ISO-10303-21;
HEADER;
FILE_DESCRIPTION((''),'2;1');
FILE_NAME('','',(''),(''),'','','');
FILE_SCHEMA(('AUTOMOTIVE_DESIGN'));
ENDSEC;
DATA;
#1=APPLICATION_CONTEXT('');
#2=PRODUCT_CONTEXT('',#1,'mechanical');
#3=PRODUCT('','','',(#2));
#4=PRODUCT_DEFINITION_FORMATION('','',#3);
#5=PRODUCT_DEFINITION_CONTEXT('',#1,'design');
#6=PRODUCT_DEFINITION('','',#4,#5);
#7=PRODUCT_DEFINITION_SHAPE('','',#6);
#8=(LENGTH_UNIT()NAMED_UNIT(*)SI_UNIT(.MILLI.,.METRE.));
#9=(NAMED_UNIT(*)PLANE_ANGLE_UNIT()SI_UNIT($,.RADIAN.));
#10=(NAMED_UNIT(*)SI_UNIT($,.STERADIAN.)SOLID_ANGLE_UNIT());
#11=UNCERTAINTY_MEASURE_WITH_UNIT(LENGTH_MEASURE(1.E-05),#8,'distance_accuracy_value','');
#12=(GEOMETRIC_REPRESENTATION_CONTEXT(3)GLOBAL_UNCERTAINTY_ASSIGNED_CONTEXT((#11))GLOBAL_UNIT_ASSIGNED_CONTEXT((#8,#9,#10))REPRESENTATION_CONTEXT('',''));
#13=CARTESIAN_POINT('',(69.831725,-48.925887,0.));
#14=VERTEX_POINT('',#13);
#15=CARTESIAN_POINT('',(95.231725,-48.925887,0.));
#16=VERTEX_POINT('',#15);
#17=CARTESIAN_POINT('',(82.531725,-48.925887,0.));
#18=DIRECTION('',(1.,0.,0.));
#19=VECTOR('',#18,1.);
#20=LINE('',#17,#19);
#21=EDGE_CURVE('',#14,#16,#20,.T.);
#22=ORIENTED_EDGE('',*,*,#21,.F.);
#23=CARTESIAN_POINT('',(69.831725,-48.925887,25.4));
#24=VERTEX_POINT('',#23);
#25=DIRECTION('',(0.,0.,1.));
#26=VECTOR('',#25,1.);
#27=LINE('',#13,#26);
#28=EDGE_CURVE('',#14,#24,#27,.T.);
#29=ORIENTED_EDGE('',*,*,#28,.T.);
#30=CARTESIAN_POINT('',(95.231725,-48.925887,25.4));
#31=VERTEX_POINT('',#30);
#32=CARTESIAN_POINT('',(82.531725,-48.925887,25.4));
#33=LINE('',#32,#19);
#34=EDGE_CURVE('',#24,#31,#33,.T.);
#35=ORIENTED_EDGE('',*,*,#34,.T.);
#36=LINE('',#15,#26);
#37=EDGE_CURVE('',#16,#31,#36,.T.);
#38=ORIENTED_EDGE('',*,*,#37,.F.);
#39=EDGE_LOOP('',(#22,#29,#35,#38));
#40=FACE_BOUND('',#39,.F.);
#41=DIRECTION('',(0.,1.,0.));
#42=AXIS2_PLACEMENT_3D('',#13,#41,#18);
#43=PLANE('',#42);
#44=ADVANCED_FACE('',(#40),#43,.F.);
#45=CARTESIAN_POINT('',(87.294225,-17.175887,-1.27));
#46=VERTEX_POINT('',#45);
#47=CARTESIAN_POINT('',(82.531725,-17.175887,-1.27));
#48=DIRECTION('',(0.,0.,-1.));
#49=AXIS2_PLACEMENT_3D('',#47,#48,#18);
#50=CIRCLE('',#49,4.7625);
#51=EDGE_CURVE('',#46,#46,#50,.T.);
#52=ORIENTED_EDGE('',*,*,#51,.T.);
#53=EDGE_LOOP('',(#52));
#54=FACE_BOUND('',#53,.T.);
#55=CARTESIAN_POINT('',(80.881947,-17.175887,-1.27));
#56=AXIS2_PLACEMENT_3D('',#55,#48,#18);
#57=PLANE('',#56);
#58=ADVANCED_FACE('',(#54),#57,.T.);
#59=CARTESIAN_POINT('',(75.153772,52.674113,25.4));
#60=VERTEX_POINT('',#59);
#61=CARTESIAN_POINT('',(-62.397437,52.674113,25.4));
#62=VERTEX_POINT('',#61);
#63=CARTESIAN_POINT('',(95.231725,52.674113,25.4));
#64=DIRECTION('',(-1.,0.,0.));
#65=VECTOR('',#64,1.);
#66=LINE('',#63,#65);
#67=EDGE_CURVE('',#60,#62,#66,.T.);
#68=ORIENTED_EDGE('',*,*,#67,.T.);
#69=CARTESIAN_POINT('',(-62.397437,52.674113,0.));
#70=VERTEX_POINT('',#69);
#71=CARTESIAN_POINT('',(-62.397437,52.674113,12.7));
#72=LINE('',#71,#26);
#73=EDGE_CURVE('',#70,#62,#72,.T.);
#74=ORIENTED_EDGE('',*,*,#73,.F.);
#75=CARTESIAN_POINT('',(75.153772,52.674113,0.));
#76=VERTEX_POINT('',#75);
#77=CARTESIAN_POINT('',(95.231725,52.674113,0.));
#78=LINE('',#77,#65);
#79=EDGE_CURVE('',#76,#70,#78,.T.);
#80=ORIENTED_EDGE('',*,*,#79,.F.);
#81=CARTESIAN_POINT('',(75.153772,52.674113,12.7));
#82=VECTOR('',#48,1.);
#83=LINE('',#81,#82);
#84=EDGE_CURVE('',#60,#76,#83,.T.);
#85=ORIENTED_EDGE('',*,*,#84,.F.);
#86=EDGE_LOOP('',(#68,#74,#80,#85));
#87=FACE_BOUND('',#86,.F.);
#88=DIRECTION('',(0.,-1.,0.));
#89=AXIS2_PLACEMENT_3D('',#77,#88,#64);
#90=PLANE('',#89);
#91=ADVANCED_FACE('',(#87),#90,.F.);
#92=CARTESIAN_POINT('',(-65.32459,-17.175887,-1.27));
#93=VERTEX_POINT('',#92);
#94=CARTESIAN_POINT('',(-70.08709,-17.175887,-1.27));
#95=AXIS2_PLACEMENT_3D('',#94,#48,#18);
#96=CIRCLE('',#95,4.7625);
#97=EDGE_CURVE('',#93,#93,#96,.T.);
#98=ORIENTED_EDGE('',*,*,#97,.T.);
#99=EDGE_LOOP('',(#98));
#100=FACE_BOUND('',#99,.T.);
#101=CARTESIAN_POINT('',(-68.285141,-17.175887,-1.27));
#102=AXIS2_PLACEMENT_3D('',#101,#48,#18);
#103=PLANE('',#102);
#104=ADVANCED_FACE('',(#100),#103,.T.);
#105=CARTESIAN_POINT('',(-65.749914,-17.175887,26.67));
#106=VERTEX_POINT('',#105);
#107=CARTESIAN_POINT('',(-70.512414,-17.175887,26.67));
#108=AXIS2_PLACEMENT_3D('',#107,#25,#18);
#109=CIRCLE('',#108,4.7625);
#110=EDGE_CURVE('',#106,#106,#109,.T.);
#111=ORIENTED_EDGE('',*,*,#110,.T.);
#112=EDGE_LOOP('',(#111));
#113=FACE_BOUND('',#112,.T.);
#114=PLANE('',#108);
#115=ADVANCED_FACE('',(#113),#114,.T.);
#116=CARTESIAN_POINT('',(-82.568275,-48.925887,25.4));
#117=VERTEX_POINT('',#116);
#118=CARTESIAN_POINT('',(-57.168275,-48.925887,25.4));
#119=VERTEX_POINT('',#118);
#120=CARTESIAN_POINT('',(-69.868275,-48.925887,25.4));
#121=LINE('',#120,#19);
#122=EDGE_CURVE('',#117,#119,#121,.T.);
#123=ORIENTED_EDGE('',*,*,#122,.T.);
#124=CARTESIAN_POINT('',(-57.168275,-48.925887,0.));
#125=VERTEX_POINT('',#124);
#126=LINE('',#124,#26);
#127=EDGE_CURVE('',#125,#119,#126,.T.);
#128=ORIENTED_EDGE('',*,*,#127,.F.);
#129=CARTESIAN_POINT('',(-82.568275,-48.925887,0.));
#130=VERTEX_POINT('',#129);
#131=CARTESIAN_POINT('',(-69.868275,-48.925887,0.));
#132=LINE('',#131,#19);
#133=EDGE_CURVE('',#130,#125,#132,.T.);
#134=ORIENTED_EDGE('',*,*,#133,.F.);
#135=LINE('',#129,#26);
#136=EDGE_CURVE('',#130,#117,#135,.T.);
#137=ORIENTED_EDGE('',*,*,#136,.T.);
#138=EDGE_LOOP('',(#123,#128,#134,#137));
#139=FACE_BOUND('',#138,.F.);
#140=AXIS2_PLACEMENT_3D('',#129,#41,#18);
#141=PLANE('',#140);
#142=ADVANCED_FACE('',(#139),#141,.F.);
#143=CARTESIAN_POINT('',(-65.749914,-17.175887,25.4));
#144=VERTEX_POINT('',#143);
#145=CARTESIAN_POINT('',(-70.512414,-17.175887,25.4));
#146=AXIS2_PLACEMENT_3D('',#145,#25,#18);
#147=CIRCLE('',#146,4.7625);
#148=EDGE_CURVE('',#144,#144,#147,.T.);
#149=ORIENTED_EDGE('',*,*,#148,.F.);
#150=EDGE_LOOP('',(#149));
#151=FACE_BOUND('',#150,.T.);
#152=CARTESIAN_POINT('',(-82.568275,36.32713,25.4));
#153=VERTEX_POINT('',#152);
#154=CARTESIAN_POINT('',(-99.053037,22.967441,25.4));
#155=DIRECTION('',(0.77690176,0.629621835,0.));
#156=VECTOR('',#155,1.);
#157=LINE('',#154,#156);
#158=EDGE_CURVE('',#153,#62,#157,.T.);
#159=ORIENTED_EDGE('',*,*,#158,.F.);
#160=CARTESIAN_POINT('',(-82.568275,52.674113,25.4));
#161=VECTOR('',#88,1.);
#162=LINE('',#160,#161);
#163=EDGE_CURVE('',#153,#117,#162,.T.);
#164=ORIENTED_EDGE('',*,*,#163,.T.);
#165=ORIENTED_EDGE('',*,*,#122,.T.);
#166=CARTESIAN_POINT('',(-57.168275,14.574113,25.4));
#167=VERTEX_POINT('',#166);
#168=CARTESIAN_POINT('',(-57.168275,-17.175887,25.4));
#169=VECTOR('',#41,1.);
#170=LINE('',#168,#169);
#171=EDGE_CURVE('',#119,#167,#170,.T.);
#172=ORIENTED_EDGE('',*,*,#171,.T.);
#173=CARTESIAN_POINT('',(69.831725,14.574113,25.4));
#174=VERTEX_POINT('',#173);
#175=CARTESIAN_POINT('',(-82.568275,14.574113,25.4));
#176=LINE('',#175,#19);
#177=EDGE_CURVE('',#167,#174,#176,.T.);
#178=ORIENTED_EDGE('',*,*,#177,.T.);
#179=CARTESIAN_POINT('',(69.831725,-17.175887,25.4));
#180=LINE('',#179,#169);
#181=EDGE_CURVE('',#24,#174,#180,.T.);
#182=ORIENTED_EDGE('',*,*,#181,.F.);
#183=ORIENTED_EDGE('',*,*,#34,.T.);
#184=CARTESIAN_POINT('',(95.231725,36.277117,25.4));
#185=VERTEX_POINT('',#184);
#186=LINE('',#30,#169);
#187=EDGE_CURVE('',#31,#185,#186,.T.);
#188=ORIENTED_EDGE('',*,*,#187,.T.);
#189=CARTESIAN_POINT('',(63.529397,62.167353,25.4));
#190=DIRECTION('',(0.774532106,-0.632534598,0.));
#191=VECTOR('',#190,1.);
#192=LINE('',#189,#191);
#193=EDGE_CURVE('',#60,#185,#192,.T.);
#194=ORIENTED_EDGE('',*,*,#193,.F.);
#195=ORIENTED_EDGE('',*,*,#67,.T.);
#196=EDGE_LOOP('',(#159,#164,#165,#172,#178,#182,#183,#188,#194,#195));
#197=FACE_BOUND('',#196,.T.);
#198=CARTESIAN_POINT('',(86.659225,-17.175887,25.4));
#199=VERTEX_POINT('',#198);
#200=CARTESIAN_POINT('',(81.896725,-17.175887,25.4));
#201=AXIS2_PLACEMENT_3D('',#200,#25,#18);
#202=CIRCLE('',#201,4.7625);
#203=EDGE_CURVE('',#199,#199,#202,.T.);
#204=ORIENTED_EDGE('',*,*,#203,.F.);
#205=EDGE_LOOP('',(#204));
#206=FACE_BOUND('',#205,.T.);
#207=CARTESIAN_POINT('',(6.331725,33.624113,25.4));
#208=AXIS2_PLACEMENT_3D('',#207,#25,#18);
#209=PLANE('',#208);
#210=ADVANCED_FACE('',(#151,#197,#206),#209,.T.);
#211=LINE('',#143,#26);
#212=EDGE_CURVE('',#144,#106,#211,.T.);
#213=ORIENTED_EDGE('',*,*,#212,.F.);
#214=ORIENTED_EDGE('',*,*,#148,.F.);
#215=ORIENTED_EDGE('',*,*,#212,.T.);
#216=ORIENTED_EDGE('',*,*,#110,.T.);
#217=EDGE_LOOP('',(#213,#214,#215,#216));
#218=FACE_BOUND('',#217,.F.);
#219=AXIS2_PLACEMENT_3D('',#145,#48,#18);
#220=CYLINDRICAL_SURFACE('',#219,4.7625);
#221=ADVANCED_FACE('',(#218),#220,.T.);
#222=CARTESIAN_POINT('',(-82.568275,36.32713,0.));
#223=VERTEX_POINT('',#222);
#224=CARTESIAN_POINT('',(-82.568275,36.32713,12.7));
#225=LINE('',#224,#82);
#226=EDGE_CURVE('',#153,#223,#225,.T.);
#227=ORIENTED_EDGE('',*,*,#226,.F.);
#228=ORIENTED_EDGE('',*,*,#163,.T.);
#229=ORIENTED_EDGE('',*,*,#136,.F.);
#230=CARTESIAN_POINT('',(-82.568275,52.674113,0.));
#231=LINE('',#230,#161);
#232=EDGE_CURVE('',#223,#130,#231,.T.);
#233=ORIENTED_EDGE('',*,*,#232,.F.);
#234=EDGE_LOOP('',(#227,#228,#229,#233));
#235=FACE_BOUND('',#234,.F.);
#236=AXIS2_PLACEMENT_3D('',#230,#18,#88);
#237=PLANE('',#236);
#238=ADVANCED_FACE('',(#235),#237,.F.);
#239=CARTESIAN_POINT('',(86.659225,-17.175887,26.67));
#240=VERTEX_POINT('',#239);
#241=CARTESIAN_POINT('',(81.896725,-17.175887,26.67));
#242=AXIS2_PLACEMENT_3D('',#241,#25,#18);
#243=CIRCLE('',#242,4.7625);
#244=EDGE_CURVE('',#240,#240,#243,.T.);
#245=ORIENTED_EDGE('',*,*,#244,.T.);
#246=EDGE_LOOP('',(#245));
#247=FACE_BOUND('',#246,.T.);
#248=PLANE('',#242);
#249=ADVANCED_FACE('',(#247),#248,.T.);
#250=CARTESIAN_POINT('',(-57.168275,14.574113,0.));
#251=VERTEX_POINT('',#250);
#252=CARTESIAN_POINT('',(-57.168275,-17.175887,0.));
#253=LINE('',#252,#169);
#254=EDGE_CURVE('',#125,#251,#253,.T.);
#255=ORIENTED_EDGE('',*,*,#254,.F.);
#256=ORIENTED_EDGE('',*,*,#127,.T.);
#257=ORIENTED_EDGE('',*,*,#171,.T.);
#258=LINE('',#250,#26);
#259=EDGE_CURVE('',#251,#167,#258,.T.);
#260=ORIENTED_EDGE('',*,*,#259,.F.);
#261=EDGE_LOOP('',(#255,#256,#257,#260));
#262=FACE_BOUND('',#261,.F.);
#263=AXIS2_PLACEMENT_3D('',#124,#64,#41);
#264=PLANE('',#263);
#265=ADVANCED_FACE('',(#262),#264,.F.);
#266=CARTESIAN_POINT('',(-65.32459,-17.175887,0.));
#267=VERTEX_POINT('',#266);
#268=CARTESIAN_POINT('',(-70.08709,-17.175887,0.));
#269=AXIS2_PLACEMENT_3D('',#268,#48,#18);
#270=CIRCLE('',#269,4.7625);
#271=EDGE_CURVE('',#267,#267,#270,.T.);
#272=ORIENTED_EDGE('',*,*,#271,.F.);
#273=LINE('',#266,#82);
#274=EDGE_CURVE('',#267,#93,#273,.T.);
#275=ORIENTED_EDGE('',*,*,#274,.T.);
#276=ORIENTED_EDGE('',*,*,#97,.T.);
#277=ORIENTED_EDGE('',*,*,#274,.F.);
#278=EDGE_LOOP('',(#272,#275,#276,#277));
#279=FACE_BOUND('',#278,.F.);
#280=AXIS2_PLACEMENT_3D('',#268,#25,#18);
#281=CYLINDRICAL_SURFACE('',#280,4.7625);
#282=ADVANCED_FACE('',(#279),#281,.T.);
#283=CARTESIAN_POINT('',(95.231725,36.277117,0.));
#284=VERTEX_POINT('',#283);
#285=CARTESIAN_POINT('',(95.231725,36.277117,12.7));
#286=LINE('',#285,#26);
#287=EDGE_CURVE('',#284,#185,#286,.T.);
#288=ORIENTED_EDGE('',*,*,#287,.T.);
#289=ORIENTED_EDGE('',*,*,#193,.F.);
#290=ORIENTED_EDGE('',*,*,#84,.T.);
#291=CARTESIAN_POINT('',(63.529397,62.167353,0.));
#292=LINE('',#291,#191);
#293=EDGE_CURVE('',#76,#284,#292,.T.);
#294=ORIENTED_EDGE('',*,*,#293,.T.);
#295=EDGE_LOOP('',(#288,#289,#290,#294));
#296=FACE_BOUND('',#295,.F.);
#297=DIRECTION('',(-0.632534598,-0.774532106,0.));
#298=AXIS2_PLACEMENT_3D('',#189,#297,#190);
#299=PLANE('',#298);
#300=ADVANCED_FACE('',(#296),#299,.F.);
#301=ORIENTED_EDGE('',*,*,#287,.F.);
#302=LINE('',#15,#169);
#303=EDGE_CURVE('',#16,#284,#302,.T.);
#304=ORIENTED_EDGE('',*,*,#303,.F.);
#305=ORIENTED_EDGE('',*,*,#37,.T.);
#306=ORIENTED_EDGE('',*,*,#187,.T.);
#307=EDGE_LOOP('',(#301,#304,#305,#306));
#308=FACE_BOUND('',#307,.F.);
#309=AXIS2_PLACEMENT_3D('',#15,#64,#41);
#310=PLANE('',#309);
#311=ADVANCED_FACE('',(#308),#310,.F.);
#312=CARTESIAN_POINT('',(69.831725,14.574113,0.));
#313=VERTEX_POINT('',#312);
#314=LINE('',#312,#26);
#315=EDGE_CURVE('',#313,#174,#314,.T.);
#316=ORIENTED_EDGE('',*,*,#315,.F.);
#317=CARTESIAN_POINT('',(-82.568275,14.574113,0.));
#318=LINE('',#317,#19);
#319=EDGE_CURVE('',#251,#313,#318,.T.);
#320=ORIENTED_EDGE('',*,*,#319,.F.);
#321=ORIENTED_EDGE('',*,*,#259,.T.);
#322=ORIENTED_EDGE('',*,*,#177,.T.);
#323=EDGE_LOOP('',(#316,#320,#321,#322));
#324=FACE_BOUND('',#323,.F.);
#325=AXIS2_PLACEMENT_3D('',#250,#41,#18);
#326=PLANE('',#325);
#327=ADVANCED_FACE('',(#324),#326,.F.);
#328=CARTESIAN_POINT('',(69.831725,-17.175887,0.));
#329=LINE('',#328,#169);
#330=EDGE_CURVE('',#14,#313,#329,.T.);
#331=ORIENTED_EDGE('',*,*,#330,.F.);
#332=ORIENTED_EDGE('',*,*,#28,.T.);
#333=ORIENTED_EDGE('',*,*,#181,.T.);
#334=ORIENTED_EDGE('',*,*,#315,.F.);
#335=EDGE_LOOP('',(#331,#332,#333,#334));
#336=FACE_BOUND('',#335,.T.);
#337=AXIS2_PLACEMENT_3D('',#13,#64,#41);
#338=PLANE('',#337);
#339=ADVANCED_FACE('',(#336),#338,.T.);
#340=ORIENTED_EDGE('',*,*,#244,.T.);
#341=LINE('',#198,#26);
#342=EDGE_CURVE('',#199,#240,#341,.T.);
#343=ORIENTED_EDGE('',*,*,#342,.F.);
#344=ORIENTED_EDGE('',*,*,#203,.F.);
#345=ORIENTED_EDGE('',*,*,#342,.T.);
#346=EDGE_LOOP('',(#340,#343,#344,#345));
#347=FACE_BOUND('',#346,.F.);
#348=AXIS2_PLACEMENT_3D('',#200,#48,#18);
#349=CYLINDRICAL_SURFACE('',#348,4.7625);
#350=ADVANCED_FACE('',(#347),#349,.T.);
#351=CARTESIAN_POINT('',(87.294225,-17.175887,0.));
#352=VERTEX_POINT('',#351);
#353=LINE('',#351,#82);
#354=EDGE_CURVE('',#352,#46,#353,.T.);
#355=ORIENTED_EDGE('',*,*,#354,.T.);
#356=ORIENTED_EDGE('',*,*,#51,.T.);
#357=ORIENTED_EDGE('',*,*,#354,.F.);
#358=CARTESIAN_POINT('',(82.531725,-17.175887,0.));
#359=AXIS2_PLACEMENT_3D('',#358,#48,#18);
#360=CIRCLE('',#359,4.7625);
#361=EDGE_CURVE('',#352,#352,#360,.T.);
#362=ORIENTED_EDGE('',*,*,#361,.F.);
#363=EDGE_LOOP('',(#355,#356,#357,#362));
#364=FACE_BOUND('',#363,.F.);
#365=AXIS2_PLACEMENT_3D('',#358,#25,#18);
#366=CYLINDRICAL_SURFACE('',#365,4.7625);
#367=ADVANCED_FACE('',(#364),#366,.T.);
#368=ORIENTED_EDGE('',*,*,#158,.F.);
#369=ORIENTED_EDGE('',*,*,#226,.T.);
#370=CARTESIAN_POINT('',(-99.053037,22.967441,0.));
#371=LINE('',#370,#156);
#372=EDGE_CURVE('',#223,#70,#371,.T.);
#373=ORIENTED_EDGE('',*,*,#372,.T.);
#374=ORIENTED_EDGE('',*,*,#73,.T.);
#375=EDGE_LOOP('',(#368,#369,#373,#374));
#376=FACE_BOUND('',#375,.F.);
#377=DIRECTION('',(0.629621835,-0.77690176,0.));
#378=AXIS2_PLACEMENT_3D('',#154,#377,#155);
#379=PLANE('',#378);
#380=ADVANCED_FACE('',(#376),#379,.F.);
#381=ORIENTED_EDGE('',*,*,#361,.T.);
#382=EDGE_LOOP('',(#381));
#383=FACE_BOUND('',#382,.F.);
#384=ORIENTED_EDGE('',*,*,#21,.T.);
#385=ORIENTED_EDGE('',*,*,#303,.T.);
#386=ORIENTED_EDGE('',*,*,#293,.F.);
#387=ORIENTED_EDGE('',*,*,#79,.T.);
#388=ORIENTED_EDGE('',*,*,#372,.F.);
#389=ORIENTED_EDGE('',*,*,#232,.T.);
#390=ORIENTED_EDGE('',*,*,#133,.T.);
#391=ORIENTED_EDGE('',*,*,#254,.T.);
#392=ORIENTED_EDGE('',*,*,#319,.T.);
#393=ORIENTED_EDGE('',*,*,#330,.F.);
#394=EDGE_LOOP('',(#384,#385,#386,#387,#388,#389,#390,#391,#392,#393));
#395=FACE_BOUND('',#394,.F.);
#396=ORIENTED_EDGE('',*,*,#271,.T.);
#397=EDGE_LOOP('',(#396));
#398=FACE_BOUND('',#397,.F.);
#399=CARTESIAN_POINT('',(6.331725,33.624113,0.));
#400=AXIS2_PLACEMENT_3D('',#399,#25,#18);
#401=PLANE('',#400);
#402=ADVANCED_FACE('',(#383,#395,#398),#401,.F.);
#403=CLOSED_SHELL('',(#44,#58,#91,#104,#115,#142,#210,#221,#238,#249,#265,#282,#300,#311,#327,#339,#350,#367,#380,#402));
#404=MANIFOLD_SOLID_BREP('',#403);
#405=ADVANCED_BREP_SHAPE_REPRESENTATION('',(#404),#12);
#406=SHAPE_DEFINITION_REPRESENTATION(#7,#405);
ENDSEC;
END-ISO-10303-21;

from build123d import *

# Parameters (mm, degrees)
F0_W     = 25.4
F0_H     = 63.5
F1_DEPTH = 25.4
F3_DEPTH = 25.4
F4_R     = 4.7625
F5_DEPTH = 1.27
F7_DEPTH = 1.27


with BuildPart() as f1:
    # F0 (on Top) → F1 (new body)
    with BuildSketch(Plane.XY):
        Polygon((95.231725046, 52.6741128501), (-82.568274954, 52.6741128501), (-82.568274954, 14.5741128501), (-57.168274954, 14.5741128501), (69.831725046, 14.5741128501), (95.231725046, 14.5741128501), align=None)
        with Locations((-69.868274954, -17.1758871499)):
            Rectangle(F0_W, F0_H)
        with Locations((82.531725046, -17.1758871499)):
            Rectangle(F0_W, F0_H)
    extrude(amount=F1_DEPTH)

    # F2 (on face) → F3 (cut)
    with BuildSketch(Plane.XY.offset(25.4)):
        Polygon((-104.4803282541, 40.2830914566), (-99.053036825, 22.9674405237), (-44.5216608105, 67.1611169851), (-66.7477198675, 76.2066116208), align=None)
        Polygon((81.9489609954, 70.5137167564), (63.5293972251, 62.1673528543), (115.3344315049, 19.8599052123), (133.17838577, 37.4160547248), align=None)
    extrude(amount=-F3_DEPTH, mode=Mode.SUBTRACT)

    # F4 (on face) → F5 (join)
    with BuildSketch(Plane.XY.offset(25.4)):
        with Locations((-70.5124139786, -17.1758871499)):
            Circle(F4_R)
        with Locations((81.896725046, -17.1758871499)):
            Circle(F4_R)
    extrude(amount=F5_DEPTH)

    # F6 (on face) → F7 (join)
    with BuildSketch(Plane(origin=(0, 0, 0), x_dir=(1, 0, 0), z_dir=(0, 0, -1))):
        with BuildLine():
            ThreePointArc((82.531725046, 21.9383871499), (77.769225046, 17.1758871499), (82.531725046, 12.4133871499))
            Line((82.531725046, 12.4133871499), (82.531725046, 21.9383871499))
        make_face()
        with BuildLine():
            Line((82.531725046, 21.9383871499), (82.531725046, 12.4133871499))
            ThreePointArc((82.531725046, 12.4133871499), (85.8993210914, 13.8082911045), (87.294225046, 17.1758871499))
            ThreePointArc((87.294225046, 17.1758871499), (85.8993210914, 20.5434831953), (82.531725046, 21.9383871499))
        make_face()
        with BuildLine():
            ThreePointArc((-70.0870901346, 12.4133871499), (-66.7194940892, 13.8082911045), (-65.3245901346, 17.1758871499))
            ThreePointArc((-65.3245901346, 17.1758871499), (-66.7194940892, 20.5434831953), (-70.0870901346, 21.9383871499))
            Line((-70.0870901346, 21.9383871499), (-70.0870901346, 12.4133871499))
        make_face()
        with BuildLine():
            Line((-70.0870901346, 12.4133871499), (-70.0870901346, 21.9383871499))
            ThreePointArc((-70.0870901346, 21.9383871499), (-74.8495901346, 17.1758871499), (-70.0870901346, 12.4133871499))
        make_face()
    extrude(amount=F7_DEPTH)


solid = f1.part
